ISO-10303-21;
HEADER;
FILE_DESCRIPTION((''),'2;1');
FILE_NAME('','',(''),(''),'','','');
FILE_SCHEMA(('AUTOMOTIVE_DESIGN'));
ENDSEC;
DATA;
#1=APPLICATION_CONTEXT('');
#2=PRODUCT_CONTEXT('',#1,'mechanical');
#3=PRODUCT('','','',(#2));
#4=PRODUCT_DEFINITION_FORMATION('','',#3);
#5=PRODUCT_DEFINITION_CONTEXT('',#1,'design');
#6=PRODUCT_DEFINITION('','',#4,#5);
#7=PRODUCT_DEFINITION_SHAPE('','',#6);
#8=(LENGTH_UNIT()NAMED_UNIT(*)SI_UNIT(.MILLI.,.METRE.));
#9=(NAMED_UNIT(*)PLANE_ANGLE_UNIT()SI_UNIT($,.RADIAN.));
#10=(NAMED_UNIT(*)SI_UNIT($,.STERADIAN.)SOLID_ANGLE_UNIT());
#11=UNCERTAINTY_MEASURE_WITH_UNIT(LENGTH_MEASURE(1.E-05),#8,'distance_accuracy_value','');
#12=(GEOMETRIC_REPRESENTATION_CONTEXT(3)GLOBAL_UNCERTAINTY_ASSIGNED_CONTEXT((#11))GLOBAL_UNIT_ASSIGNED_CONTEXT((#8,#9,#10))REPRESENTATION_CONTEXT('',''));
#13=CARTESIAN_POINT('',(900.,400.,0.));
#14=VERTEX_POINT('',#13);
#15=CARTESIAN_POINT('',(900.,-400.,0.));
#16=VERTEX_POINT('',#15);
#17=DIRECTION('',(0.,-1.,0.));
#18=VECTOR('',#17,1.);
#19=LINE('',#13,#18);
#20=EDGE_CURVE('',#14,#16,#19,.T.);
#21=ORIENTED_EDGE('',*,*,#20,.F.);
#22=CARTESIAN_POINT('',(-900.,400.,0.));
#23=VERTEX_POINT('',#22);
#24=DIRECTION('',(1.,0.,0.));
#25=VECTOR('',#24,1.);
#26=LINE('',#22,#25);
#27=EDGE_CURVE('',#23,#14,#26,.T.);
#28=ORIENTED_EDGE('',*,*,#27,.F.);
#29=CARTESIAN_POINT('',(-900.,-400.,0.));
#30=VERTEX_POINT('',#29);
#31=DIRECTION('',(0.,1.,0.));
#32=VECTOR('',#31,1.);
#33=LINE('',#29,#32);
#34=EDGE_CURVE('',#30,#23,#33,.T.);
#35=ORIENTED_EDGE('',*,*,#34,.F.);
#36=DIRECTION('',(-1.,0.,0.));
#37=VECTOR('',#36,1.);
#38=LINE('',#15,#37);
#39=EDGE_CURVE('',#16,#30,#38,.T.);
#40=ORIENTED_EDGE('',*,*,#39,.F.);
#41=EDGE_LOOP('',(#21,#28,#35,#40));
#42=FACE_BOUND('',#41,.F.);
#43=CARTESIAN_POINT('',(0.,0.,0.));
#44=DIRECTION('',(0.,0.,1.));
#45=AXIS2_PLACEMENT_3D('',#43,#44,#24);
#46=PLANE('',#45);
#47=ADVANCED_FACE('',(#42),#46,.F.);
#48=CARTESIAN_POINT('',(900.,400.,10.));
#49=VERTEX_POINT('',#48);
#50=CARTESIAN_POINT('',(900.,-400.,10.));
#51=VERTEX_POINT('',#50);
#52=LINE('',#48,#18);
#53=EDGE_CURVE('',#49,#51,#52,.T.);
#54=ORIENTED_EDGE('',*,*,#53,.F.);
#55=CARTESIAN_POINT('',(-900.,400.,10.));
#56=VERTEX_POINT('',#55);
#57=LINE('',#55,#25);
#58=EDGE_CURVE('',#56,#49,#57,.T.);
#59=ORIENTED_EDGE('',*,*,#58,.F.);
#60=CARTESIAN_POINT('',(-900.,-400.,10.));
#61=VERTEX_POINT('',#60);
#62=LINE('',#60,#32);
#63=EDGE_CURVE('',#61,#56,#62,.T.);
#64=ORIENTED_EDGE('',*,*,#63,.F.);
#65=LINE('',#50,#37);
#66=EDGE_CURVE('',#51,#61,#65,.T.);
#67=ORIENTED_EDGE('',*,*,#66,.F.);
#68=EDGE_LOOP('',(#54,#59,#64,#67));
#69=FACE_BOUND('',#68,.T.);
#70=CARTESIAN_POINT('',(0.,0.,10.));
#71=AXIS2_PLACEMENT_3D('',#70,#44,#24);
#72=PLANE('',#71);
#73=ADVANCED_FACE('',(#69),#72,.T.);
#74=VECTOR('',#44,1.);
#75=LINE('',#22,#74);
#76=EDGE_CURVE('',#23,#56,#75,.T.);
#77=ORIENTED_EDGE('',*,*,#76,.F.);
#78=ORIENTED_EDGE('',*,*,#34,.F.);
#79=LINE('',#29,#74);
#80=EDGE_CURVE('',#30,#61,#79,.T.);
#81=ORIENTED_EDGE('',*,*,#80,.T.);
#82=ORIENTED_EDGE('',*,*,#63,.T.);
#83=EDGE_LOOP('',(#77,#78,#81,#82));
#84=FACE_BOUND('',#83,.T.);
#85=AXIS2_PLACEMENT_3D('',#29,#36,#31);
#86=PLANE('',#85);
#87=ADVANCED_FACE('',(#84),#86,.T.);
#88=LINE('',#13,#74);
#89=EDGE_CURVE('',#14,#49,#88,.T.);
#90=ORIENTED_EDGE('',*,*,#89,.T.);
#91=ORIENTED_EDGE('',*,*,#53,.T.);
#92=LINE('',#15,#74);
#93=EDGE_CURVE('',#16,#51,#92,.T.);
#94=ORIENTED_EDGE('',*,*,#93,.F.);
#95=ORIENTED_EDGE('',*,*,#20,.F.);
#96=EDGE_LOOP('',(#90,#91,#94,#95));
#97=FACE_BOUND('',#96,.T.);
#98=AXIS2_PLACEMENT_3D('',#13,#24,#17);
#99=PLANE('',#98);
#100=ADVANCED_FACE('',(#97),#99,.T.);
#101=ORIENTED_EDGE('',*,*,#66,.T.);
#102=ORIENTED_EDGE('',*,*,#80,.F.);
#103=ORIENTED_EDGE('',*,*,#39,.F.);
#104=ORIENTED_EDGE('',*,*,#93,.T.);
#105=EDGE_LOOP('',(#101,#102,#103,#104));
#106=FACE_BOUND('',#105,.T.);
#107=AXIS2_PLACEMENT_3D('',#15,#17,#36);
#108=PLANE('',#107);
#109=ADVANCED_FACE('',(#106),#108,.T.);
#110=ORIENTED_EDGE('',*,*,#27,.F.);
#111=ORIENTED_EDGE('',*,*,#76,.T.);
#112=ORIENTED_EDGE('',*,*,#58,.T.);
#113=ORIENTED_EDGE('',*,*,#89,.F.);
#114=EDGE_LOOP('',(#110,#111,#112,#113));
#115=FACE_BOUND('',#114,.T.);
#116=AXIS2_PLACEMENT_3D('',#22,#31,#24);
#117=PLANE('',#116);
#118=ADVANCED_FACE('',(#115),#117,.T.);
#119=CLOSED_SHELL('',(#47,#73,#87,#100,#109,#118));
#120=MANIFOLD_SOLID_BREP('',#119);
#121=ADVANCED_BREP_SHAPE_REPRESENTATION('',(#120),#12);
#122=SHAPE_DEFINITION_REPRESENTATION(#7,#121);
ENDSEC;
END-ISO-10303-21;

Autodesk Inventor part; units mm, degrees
ref_plane "YZ Plane" through (0, 0, 0) normal (1, 0, 0) x (0, 1, 0)
ref_plane "XZ Plane" through (0, 0, 0) normal (0, 1, 0) x (-1, 0, 0)
ref_plane "XY Plane" through (0, 0, 0) normal (0, 0, 1) x (1, 0, 0)
sketch "Sketch1" plane through (0, 0, 0) normal (0, 0, 1) x (1, 0, 0)
  line L0 (-900, 400) -> (900, 400)
  line L1 (900, 400) -> (900, -400)
  line L2 (900, -400) -> (-900, -400)
  line L3 (-900, -400) -> (-900, 400)
  line L4 (-900, 400) -> (900, -400) construction
  line L5 (900, 400) -> (-900, -400) construction
  point P0 (0, 0)
  dimension "d0" = 1800
  dimension "d1" = 800
extrude "Extrusion1" add sketch "Sketch1" along normal blind 10
properties part number "Wall - 160x70 version B"
